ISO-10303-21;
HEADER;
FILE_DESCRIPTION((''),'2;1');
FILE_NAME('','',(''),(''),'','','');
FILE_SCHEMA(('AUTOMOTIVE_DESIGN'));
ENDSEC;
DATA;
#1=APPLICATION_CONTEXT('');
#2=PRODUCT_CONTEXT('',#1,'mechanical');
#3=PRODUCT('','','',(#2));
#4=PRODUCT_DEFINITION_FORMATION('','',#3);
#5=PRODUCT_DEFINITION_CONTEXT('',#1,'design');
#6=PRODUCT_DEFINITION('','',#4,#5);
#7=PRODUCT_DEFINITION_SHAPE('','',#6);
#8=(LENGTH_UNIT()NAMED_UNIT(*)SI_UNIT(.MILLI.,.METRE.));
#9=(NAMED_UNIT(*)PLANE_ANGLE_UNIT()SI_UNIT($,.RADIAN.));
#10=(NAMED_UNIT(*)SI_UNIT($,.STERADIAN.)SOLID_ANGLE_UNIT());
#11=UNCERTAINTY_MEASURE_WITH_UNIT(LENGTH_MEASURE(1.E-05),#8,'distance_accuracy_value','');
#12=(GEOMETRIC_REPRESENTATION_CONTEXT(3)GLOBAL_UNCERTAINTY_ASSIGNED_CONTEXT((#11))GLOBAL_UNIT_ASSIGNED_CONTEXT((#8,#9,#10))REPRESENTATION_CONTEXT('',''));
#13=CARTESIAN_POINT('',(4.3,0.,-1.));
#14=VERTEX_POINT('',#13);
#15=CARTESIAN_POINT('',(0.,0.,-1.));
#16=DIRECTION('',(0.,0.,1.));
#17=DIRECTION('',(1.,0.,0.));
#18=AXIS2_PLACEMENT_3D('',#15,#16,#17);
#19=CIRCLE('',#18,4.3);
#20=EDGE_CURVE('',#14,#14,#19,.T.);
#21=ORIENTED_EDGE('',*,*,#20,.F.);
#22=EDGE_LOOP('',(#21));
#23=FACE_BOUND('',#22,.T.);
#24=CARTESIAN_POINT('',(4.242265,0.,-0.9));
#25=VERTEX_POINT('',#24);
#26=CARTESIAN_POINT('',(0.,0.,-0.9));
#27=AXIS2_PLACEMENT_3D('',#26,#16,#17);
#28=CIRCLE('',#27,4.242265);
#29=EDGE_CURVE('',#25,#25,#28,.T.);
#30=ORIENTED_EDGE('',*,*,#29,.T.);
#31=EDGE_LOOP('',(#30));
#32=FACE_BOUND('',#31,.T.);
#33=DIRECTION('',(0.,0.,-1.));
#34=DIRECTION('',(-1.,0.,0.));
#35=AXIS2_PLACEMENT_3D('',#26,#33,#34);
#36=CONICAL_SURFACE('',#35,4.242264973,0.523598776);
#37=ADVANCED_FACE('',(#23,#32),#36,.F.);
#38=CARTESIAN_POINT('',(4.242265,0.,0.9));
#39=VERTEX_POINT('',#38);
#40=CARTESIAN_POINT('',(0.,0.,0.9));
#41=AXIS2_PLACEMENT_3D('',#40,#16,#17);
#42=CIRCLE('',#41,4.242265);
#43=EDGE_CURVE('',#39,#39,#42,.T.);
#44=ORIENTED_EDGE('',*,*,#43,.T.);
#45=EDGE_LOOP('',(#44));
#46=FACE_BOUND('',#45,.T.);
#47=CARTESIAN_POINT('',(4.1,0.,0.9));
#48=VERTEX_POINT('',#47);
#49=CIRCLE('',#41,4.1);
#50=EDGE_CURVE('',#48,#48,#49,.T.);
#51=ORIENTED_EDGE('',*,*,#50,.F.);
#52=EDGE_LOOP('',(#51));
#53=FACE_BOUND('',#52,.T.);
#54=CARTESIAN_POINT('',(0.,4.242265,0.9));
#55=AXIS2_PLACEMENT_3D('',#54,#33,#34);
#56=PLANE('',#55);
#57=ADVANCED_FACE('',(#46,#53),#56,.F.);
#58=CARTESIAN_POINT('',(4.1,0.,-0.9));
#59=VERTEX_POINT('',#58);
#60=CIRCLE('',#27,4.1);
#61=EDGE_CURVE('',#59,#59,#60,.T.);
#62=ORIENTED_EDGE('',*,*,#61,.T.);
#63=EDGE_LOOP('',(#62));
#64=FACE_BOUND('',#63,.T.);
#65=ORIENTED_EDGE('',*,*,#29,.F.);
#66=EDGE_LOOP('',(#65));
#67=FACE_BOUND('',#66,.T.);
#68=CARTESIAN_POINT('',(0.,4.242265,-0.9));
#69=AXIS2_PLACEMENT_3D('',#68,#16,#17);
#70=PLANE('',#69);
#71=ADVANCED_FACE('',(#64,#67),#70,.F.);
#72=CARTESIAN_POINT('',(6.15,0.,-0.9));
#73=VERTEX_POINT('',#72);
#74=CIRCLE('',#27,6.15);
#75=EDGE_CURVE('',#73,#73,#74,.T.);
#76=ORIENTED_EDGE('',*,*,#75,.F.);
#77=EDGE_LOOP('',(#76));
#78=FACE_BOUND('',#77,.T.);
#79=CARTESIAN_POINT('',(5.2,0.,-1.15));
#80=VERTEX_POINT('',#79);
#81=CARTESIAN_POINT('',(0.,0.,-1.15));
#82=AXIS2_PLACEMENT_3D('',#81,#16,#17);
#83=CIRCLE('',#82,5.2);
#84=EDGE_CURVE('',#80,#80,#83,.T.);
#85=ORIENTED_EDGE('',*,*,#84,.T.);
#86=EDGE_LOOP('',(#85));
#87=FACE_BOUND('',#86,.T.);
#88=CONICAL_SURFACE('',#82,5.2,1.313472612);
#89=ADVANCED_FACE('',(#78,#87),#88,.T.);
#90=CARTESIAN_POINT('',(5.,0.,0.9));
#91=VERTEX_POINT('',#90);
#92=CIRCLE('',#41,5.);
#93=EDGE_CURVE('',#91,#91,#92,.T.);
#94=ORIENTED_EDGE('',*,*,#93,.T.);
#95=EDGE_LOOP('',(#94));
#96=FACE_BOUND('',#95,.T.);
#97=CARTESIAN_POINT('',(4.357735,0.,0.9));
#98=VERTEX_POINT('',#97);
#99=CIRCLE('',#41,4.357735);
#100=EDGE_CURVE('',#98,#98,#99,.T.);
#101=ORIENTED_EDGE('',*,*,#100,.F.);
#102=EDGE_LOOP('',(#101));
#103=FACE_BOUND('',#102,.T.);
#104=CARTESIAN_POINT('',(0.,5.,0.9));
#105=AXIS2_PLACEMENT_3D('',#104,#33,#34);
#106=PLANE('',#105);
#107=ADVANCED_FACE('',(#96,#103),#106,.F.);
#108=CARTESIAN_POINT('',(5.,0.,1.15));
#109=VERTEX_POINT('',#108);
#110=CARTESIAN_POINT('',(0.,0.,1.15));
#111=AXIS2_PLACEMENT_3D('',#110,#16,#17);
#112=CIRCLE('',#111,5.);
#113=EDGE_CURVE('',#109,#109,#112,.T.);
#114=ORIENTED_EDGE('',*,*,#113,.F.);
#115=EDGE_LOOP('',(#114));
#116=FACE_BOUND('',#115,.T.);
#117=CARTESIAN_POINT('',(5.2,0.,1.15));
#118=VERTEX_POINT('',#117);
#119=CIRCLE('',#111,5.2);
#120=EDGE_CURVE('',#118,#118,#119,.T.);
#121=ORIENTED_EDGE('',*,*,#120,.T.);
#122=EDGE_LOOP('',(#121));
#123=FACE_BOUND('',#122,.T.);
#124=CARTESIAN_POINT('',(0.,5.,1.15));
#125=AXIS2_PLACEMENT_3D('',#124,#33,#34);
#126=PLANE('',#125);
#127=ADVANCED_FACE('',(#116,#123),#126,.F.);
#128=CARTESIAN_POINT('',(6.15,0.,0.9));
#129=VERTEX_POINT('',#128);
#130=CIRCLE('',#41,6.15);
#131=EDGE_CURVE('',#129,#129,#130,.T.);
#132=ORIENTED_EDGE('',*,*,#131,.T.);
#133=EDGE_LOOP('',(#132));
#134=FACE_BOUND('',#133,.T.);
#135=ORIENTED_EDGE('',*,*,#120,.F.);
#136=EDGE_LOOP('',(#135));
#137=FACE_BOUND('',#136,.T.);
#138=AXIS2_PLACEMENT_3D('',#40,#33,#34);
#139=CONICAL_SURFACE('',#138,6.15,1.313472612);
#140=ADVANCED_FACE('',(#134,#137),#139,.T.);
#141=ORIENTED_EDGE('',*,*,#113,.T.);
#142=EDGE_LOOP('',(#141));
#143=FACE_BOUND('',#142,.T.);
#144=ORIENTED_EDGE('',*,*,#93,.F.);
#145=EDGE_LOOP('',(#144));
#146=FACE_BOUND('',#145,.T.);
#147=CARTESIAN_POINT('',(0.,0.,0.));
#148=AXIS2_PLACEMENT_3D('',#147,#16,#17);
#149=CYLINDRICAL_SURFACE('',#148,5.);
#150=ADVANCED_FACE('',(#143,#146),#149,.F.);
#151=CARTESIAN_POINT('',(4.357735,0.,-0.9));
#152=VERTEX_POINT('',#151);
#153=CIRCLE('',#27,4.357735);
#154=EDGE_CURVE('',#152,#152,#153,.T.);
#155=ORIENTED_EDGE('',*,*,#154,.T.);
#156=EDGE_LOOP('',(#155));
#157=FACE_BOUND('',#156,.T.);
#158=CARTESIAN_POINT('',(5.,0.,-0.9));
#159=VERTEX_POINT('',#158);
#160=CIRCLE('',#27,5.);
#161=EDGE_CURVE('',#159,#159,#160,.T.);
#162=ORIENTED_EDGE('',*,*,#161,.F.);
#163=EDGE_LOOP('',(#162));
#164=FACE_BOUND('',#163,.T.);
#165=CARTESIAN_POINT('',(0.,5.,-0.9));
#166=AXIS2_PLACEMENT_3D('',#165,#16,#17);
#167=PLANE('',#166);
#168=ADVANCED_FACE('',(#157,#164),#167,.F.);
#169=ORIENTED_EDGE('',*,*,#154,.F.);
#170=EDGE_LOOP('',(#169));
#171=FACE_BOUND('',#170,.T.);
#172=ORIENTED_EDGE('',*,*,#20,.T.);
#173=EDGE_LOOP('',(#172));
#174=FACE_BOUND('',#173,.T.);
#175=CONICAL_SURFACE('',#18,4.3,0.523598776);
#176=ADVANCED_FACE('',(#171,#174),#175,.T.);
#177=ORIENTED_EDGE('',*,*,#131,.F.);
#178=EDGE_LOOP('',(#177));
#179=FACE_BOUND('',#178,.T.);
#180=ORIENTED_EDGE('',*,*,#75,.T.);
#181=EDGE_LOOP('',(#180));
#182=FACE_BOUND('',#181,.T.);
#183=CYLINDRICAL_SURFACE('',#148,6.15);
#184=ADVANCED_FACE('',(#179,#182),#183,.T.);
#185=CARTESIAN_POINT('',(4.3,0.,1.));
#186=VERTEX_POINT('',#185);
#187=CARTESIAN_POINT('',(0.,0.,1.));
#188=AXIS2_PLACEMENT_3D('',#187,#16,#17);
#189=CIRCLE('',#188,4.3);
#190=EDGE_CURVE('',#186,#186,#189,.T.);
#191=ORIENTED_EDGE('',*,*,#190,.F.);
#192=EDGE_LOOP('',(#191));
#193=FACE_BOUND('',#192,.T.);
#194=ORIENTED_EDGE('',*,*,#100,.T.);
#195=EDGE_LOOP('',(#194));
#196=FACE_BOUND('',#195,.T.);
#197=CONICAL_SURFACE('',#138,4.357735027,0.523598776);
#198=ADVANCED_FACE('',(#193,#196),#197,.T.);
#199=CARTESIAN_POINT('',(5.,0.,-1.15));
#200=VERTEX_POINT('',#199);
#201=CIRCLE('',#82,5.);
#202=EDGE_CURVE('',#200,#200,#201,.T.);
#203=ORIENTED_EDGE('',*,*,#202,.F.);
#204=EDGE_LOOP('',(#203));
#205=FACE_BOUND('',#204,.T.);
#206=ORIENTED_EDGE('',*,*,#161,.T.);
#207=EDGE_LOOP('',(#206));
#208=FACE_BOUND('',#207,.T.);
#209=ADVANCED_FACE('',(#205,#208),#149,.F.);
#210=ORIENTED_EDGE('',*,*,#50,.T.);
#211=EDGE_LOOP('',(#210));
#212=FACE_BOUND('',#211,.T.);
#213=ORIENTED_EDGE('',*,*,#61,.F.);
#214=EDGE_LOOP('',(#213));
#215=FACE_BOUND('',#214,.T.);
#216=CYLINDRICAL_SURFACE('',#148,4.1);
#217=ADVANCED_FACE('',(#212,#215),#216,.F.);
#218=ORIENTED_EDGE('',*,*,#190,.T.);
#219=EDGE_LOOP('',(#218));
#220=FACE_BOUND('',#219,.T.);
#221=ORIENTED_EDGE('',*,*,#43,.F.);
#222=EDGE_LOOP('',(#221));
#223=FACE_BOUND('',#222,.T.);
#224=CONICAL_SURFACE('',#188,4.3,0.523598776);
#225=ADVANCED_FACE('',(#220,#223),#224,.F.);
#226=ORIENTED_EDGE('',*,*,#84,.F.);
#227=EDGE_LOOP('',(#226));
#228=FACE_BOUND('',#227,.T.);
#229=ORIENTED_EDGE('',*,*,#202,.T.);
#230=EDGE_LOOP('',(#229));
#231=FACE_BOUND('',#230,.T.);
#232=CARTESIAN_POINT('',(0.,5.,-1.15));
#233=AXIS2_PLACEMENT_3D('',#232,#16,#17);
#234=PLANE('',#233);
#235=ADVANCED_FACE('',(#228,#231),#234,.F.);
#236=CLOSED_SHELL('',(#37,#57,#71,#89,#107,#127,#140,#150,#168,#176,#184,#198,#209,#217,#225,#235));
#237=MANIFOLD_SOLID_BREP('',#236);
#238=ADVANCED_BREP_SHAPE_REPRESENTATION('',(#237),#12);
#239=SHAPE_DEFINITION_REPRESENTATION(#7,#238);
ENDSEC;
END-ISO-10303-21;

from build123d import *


with BuildPart() as part:
    # Sketch2 → Revolve2 (revolve)
    with BuildSketch(Plane(origin=(0, 0, 0), x_dir=(0, 0, -1), z_dir=(1, 0, 0)), mode=Mode.PRIVATE) as revolve2_sk:
        Polygon((-0.9, 6.15), (0.9, 6.15), (1.15, 5.2), (1.15, 5), (0.9, 5), (0.9, 4.357735027), (1, 4.3), (0.9, 4.242264973), (0.9, 4.1), (-0.9, 4.1), (-0.9, 4.242264973), (-1, 4.3), (-0.9, 4.357735027), (-0.9, 5), (-1.15, 5), (-1.15, 5.2), align=None)
    revolve(revolve2_sk.sketch.rotate(Axis((0, 0, 0), (0, 0, -1)), 90), axis=Axis((0, 0, 0), (0, 0, -1)))


solid = part.part
